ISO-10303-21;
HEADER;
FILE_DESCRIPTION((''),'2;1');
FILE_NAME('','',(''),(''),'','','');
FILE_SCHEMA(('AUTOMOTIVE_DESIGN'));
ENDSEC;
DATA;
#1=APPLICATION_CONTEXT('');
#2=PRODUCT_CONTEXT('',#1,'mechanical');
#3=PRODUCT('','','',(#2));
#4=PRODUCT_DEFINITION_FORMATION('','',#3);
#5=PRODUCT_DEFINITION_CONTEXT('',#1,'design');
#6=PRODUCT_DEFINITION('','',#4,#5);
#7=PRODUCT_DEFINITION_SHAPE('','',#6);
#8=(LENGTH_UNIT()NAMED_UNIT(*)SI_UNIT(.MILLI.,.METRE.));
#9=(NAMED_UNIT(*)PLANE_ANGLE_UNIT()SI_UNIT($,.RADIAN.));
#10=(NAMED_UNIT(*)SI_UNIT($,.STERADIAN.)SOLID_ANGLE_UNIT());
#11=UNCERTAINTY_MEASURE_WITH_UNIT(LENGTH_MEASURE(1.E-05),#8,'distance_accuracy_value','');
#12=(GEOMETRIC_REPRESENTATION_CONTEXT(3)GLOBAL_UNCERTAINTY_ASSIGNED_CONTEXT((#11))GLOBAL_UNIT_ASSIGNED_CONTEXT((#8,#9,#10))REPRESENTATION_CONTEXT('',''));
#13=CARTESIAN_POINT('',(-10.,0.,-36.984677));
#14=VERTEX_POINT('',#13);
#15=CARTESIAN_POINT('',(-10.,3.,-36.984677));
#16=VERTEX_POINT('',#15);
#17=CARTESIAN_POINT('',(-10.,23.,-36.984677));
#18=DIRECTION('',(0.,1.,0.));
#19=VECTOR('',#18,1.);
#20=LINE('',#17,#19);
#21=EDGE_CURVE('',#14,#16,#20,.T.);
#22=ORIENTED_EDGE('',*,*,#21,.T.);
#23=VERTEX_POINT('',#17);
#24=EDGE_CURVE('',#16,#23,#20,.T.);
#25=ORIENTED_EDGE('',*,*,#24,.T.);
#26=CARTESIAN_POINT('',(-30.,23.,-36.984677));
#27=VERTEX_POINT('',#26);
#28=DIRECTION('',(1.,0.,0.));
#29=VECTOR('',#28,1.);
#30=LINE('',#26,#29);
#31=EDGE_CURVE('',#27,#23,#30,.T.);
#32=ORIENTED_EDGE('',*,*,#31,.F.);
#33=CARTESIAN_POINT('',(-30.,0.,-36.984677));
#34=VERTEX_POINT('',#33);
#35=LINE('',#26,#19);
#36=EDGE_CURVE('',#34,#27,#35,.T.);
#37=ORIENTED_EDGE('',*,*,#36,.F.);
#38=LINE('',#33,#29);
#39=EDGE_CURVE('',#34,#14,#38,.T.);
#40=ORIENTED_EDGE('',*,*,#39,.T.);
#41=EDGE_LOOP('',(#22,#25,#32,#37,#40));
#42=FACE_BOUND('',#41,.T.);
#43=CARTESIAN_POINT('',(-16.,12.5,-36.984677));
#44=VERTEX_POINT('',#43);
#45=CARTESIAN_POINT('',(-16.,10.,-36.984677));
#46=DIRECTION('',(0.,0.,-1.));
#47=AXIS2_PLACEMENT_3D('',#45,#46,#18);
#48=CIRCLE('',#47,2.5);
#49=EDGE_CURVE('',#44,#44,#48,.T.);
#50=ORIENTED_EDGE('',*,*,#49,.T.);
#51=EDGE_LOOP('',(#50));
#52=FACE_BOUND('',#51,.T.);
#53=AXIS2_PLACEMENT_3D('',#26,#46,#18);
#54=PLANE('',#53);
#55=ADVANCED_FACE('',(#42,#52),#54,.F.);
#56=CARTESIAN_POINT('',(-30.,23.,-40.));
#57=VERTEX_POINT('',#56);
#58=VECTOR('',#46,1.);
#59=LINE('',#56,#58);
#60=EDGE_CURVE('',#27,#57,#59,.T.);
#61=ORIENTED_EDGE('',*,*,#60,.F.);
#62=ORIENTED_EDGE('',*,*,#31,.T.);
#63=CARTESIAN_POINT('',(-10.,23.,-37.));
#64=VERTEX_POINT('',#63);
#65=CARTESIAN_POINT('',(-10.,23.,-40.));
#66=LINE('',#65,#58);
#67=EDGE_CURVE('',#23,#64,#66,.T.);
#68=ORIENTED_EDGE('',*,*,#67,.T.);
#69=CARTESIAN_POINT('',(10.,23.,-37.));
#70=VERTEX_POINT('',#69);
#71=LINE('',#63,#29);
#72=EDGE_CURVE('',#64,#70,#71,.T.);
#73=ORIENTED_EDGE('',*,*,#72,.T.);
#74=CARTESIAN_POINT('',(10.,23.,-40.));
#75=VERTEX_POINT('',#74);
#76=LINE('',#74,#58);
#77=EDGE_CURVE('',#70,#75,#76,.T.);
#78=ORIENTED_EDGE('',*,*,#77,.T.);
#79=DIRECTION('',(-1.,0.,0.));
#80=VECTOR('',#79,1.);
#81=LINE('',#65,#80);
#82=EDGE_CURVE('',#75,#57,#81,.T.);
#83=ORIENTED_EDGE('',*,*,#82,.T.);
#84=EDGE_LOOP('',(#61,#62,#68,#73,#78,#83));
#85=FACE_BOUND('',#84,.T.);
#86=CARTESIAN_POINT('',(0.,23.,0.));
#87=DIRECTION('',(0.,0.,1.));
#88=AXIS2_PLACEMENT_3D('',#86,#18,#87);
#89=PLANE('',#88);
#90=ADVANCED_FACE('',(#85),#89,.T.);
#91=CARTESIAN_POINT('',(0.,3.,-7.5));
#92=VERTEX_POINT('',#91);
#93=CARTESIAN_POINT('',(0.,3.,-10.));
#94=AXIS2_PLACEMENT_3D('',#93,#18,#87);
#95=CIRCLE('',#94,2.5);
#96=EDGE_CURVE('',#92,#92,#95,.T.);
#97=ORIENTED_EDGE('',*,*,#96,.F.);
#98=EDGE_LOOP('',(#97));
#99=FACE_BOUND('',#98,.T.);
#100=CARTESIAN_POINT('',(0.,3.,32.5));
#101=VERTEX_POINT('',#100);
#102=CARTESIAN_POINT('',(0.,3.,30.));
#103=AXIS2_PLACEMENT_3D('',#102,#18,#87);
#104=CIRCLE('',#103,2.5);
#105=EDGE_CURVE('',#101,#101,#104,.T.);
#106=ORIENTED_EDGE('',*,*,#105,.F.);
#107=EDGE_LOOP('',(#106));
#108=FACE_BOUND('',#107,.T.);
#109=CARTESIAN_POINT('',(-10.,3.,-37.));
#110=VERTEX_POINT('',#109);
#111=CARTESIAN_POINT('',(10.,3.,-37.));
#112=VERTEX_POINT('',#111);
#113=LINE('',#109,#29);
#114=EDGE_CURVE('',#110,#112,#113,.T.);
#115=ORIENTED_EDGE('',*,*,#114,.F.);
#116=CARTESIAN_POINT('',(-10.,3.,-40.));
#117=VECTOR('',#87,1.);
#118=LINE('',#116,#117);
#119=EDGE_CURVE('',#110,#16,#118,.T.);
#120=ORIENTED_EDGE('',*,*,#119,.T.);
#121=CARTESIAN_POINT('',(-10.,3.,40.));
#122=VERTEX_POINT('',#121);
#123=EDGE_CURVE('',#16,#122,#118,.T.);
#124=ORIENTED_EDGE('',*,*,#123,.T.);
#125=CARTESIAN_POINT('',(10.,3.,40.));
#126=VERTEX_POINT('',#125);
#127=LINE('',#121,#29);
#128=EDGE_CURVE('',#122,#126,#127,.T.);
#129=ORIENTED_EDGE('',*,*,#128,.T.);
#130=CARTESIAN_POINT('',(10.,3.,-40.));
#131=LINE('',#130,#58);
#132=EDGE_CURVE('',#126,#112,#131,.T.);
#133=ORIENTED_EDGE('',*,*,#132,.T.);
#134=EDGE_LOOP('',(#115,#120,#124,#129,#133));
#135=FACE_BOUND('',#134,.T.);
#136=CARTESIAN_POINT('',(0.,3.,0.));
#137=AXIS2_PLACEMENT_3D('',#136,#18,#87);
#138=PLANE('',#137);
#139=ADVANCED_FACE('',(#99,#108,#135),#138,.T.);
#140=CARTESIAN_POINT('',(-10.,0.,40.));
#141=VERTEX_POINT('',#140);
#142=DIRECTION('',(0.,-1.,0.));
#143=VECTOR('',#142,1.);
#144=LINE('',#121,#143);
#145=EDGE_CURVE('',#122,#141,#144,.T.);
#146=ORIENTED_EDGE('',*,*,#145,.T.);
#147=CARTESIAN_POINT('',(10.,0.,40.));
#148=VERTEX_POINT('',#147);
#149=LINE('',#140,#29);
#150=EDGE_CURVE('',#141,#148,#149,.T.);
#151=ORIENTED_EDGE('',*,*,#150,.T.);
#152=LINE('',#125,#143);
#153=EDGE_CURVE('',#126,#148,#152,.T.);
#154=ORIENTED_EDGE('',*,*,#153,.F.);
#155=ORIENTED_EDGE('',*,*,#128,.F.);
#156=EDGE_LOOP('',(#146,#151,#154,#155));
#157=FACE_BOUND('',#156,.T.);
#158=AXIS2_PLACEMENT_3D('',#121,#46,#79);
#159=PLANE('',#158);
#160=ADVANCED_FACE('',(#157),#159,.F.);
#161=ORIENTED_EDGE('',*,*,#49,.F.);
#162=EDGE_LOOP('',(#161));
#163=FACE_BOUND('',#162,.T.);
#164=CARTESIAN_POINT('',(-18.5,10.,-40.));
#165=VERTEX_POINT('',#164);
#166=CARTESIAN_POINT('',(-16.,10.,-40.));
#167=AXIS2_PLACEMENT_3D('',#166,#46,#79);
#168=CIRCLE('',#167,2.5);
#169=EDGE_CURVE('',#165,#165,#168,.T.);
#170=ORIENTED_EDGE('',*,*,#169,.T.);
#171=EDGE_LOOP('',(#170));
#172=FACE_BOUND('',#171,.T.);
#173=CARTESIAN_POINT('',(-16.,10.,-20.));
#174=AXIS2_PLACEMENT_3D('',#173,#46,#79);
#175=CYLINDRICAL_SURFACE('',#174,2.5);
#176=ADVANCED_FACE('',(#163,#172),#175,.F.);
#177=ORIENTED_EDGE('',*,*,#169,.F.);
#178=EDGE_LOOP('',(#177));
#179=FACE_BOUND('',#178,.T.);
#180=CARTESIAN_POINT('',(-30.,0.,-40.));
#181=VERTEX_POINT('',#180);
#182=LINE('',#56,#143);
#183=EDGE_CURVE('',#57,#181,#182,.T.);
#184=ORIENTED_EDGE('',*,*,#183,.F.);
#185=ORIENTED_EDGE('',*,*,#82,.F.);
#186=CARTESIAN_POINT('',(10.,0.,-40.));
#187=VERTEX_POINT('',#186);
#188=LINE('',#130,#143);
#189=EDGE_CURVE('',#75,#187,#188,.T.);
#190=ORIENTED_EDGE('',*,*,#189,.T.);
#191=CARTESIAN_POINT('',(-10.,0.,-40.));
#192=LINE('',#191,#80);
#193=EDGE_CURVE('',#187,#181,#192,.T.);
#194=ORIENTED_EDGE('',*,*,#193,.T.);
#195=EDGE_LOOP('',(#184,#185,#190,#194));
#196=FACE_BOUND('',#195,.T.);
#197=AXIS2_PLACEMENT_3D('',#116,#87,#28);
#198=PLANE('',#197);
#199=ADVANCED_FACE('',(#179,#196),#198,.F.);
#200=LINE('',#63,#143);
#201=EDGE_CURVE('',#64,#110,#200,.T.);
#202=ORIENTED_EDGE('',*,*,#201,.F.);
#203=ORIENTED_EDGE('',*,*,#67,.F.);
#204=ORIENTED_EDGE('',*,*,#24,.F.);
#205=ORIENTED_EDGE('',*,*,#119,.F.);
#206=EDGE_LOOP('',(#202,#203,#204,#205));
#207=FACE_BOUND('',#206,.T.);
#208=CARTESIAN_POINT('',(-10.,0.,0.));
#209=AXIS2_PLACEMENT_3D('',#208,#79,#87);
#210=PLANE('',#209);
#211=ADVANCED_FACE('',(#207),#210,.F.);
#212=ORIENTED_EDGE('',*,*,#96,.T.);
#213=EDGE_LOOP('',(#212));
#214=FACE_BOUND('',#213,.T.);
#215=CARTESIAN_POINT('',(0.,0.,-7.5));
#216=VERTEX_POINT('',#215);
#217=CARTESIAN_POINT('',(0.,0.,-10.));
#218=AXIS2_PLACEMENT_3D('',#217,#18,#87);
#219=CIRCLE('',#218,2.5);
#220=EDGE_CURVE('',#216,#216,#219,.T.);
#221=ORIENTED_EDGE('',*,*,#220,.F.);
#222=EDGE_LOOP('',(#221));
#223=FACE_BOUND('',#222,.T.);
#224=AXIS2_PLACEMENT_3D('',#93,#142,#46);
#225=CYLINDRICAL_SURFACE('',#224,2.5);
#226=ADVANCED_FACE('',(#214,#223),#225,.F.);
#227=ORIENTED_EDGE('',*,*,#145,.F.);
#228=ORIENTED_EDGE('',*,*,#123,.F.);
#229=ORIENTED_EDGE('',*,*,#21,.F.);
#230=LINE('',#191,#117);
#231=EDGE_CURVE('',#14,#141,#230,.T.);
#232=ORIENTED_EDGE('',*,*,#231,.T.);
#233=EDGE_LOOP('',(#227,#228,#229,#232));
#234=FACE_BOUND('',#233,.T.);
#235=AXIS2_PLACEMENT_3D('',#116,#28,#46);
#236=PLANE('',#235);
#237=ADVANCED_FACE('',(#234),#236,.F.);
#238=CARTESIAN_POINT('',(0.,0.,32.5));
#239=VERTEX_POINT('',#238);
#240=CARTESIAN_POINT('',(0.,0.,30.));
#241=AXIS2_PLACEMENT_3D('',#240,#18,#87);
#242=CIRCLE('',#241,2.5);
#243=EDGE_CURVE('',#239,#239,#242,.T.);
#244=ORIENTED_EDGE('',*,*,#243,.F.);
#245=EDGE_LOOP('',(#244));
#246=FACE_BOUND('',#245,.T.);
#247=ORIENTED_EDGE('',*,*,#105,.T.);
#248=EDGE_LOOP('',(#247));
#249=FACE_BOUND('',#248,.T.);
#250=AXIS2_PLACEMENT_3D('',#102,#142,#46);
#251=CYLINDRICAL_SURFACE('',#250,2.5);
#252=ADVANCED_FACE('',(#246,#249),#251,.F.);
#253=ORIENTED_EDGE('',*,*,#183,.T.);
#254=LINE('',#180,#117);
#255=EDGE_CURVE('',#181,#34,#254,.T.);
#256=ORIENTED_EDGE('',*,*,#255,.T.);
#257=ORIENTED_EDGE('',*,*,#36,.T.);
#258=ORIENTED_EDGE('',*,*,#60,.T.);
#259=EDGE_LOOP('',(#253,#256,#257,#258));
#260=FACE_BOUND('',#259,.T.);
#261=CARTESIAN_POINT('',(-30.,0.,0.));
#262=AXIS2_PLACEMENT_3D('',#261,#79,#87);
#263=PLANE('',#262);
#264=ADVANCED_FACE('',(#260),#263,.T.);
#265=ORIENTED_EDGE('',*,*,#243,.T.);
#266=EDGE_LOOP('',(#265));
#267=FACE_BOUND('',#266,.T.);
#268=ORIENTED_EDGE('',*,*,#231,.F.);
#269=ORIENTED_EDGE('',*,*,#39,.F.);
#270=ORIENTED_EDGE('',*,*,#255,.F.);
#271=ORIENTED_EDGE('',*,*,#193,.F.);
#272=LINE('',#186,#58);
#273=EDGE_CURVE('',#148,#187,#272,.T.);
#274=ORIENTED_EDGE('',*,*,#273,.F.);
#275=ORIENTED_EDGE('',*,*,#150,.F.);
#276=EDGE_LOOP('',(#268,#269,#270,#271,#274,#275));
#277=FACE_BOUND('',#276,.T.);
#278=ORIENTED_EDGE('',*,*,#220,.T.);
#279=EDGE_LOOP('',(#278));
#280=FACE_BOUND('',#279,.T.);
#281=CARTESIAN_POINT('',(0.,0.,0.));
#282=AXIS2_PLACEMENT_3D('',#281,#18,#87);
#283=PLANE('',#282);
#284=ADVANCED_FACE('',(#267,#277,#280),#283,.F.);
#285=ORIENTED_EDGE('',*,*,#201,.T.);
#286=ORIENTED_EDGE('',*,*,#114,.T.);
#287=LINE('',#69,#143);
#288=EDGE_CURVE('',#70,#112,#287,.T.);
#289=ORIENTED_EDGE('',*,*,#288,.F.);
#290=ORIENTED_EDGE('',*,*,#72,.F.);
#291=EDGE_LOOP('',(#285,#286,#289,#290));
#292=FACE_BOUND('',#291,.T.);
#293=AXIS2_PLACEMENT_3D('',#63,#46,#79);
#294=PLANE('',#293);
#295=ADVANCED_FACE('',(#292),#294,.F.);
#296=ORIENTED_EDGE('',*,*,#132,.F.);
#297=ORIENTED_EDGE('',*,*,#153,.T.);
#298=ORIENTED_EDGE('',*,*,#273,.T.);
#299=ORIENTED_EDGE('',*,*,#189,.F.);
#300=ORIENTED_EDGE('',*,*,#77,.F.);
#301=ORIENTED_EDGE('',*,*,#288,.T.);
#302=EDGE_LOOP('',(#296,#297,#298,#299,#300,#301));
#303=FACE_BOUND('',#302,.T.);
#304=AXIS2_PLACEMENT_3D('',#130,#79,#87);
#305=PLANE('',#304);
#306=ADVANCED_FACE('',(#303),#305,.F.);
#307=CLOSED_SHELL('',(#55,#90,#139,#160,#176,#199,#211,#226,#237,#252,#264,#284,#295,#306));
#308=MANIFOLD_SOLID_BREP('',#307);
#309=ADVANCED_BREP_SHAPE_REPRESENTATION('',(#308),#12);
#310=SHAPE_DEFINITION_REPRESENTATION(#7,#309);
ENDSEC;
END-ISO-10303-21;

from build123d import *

# Parameters (mm, degrees)
SKETCH1_W           = 20
SKETCH1_H           = 80
SKETCH1_R           = 2.5
BOSS_EXTRUDE1_DEPTH = 3
SKETCH2_W           = 20
SKETCH2_H           = 3
BOSS_EXTRUDE2_DEPTH = 20
SKETCH4_W           = 3.015323491
SKETCH4_H           = 23
BOSS_EXTRUDE4_DEPTH = 20
SKETCH7_R           = 2.5
CUT_EXTRUDE2_DEPTH  = 20


with BuildPart() as part:
    # Sketch1 → Boss-Extrude1 (new body)
    with BuildSketch(Plane(origin=(0, 0, 0), x_dir=(1, 0, 0), z_dir=(0, 1, 0))):
        Rectangle(SKETCH1_W, SKETCH1_H)
        with Locations((0, -30)):
            Circle(SKETCH1_R, mode=Mode.SUBTRACT)
        with Locations((0, 10)):
            Circle(SKETCH1_R, mode=Mode.SUBTRACT)
    extrude(amount=BOSS_EXTRUDE1_DEPTH)

    # Sketch2 → Boss-Extrude2 (add)
    with BuildSketch(Plane(origin=(0, 3, 0), x_dir=(1, 0, 0), z_dir=(0, 1, 0))):
        with Locations((0, 38.5)):
            Rectangle(SKETCH2_W, SKETCH2_H)
    extrude(amount=BOSS_EXTRUDE2_DEPTH)

    # Sketch4 → Boss-Extrude4 (add)
    with BuildSketch(Plane.ZY.offset(10)):
        with Locations((-38.492338254, 11.5)):
            Rectangle(SKETCH4_W, SKETCH4_H)
    extrude(amount=BOSS_EXTRUDE4_DEPTH)

    # Sketch7 → Cut-Extrude2 (cut)
    with BuildSketch(Plane(origin=(0, 0, -40), x_dir=(-1, 0, 0), z_dir=(0, 0, -1))):
        with Locations((16, 10)):
            Circle(SKETCH7_R)
    extrude(amount=-CUT_EXTRUDE2_DEPTH, mode=Mode.SUBTRACT)


solid = part.part
